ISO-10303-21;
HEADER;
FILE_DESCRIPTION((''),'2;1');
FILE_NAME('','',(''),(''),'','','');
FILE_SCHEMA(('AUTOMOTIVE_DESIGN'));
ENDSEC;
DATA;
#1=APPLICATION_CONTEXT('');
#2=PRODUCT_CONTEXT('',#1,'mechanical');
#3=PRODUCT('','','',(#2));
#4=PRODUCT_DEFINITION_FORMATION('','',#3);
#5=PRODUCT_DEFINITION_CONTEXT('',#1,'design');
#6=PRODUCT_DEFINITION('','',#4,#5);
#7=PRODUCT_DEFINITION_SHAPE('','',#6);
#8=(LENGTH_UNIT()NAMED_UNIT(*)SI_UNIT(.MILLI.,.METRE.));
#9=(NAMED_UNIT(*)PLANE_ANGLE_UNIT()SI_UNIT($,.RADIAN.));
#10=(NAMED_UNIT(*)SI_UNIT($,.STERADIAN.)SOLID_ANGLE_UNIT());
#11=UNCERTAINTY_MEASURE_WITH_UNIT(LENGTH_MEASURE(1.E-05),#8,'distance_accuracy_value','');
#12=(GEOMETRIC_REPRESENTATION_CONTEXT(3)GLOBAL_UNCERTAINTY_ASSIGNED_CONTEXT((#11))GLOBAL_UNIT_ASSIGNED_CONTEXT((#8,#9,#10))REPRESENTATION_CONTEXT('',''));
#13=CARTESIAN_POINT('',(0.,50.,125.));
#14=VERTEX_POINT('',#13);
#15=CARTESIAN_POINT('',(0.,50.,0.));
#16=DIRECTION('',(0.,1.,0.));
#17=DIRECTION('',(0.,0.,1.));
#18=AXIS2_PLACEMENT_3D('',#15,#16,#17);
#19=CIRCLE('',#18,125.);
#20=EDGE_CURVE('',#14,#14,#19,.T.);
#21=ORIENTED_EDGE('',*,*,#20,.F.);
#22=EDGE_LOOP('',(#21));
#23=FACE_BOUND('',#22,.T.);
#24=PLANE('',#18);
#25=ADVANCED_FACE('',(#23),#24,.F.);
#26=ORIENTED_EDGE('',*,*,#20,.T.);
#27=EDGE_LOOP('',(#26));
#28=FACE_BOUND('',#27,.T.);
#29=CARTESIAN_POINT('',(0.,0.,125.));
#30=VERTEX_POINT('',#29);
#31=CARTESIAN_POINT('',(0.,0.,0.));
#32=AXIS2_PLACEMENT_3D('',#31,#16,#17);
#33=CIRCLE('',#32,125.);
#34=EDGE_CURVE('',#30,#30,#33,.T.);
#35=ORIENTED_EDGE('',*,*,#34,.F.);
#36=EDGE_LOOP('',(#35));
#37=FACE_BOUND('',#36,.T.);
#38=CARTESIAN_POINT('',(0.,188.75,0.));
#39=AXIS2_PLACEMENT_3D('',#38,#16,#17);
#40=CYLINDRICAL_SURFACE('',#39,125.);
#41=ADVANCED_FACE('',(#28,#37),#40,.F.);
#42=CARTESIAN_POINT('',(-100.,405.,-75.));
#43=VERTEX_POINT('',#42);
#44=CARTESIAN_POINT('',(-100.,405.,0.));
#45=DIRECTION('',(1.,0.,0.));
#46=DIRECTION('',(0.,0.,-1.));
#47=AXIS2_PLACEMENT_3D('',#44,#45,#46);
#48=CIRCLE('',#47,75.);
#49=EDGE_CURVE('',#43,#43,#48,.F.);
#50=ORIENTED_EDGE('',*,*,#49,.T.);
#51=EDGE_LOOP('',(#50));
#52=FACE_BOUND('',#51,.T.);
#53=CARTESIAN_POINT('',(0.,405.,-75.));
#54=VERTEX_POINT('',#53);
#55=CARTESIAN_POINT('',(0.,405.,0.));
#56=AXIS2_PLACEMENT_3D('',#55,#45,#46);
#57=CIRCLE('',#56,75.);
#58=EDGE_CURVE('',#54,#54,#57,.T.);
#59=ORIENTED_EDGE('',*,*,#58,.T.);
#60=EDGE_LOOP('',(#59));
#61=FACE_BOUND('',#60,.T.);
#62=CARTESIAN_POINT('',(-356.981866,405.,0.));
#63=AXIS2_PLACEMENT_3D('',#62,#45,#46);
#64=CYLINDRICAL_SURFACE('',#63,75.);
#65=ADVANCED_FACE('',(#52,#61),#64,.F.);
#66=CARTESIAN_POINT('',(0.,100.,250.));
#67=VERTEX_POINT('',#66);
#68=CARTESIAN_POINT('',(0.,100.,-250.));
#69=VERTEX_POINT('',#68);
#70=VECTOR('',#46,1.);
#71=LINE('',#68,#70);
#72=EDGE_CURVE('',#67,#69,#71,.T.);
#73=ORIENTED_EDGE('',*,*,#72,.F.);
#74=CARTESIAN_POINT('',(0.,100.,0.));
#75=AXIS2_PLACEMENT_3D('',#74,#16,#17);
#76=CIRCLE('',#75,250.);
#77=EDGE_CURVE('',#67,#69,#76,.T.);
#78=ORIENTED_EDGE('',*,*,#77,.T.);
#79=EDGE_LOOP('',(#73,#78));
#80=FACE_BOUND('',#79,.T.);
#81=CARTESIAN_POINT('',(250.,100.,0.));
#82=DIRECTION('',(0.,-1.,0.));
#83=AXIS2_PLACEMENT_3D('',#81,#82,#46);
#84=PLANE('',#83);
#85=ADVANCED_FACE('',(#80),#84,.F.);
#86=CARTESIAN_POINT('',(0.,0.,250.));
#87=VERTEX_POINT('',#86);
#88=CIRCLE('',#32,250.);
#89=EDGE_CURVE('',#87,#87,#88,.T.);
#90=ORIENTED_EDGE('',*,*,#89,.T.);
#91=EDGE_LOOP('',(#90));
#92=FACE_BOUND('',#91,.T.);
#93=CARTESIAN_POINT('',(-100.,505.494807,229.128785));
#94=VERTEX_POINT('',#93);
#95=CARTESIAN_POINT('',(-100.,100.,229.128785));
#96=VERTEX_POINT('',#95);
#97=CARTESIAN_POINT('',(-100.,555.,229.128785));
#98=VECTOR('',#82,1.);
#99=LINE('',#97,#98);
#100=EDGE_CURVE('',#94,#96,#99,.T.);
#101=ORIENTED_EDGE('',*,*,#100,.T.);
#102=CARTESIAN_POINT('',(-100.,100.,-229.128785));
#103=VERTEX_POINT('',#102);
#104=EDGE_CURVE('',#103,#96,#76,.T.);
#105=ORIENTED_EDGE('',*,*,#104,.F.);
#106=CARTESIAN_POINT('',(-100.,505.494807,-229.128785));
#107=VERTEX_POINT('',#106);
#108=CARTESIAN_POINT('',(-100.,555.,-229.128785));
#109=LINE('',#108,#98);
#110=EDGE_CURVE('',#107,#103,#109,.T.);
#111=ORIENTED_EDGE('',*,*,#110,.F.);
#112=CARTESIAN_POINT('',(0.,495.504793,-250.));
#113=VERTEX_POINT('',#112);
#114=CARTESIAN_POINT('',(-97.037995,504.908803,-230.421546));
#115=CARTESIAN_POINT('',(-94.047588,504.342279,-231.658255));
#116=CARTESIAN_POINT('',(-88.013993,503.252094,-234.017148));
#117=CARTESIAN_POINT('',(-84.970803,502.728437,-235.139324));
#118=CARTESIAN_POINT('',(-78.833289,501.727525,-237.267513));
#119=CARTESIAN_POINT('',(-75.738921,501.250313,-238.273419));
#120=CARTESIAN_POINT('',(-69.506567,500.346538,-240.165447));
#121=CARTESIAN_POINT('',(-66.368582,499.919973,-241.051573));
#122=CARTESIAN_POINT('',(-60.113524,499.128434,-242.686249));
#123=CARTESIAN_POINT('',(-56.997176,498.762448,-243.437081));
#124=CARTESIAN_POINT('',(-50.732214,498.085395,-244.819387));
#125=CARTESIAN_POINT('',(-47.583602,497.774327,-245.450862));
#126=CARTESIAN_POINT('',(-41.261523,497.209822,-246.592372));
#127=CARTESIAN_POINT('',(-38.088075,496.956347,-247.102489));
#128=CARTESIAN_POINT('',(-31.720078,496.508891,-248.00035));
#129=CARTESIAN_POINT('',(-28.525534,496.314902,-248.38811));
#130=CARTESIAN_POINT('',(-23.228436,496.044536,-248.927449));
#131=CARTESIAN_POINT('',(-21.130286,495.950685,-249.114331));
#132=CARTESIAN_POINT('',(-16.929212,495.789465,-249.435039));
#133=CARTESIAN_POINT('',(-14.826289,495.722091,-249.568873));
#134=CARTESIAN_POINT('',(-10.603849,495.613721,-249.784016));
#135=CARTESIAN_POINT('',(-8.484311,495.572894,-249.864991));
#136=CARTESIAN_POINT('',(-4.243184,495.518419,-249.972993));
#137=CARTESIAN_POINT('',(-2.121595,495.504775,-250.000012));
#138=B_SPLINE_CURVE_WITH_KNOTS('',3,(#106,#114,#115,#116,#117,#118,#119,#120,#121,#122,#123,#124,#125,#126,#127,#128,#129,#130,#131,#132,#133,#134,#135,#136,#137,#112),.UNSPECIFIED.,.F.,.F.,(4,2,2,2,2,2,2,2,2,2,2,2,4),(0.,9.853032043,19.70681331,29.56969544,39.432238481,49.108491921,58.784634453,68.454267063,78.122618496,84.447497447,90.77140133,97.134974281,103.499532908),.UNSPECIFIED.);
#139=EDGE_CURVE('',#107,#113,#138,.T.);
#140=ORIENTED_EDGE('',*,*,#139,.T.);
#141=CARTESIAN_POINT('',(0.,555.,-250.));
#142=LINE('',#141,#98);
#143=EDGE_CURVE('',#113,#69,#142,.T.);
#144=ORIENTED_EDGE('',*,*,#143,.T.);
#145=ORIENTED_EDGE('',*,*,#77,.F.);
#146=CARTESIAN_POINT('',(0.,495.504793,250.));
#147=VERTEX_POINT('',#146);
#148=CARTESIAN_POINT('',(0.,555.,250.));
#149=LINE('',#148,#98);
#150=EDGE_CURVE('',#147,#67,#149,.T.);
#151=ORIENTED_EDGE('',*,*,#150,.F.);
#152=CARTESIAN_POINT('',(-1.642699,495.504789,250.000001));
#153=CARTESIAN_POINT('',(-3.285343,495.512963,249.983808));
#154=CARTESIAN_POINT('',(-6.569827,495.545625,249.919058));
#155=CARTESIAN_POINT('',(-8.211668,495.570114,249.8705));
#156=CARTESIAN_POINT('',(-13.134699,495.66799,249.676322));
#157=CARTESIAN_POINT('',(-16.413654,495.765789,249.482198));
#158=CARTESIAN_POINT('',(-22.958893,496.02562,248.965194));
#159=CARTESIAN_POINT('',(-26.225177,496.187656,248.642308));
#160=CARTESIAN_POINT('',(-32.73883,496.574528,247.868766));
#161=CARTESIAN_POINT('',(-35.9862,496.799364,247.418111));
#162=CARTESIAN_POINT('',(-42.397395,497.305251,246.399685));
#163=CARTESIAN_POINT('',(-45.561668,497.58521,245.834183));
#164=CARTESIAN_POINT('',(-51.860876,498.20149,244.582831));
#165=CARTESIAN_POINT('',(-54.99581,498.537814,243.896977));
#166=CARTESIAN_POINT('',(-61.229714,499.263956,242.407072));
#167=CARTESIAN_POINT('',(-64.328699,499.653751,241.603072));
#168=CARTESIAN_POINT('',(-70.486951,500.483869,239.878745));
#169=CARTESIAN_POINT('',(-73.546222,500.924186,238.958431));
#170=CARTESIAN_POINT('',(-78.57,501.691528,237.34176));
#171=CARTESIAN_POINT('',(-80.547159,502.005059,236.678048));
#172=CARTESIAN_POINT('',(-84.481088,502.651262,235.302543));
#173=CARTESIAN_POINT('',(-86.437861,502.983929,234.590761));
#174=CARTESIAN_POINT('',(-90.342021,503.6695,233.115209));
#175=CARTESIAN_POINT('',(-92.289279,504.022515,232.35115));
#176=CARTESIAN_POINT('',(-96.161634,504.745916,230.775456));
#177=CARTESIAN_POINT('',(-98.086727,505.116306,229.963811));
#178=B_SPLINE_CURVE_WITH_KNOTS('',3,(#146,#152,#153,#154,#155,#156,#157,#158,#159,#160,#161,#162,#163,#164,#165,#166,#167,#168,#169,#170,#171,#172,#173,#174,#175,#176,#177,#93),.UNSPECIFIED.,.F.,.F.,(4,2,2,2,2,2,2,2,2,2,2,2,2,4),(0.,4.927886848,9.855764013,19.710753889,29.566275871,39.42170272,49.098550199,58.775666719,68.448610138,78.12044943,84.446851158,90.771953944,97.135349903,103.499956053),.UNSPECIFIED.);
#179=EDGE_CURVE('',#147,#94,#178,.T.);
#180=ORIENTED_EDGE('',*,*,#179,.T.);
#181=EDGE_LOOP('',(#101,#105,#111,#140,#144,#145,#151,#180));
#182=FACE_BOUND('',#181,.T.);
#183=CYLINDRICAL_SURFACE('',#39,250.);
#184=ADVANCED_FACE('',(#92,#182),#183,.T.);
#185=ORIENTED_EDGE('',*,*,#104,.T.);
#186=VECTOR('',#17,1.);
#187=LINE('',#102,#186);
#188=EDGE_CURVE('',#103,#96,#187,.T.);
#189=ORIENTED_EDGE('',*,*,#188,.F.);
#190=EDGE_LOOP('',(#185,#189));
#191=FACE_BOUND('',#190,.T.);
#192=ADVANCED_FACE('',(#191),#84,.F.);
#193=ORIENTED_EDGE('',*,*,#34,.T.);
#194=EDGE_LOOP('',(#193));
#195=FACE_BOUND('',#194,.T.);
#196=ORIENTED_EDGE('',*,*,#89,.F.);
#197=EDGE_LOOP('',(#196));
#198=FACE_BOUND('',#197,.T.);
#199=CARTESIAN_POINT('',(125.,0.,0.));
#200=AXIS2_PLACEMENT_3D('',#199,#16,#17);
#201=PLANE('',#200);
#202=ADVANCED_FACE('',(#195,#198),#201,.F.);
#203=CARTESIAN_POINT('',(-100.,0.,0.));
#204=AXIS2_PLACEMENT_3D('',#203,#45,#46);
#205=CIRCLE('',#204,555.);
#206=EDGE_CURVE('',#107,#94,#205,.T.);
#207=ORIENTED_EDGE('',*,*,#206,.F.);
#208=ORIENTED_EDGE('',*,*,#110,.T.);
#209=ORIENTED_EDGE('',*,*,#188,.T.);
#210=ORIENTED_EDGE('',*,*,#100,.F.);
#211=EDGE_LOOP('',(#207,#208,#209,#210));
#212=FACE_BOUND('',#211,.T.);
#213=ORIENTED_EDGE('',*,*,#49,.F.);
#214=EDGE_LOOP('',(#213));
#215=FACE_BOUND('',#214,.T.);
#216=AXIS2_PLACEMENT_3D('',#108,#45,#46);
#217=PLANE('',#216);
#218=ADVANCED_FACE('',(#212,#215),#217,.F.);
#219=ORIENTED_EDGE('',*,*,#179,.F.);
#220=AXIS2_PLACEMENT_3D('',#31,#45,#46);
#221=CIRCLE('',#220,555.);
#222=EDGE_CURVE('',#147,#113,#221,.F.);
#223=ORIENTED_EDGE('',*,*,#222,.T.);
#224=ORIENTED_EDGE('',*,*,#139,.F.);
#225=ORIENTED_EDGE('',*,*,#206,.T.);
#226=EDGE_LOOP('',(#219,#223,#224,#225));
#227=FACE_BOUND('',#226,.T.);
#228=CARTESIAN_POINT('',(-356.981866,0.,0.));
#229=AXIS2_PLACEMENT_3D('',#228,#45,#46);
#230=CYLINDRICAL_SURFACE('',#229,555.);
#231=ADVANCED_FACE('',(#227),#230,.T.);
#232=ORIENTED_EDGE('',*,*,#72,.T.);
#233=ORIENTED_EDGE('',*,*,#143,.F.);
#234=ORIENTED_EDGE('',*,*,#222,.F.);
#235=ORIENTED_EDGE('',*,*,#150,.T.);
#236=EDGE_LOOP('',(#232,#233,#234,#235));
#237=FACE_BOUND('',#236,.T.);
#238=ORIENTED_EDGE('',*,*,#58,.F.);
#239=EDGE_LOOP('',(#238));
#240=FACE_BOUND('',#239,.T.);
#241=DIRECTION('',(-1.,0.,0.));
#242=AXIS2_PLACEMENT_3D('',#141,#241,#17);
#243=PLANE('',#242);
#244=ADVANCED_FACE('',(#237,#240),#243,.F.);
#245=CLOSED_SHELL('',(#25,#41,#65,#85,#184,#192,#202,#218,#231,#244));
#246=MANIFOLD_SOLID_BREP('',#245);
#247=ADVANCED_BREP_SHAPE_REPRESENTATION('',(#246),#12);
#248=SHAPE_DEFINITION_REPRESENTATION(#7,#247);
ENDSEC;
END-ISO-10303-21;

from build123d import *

# Parameters (mm, degrees)
BOSS_EXTRUDE1_START = 455
BOSS_EXTRUDE1_DEPTH = 455
SKETCH4_R           = 75
CUT_EXTRUDE1_DEPTH  = 100


with BuildPart() as part:
    # Sketch1 → Revolve1 (revolve)
    with BuildSketch(Plane.XY, mode=Mode.PRIVATE) as revolve1_sk:
        Polygon((0, 50), (125, 50), (125, 0), (250, 0), (250, 100), (0, 100), align=None)
    revolve(revolve1_sk.sketch.rotate(Axis((0, 188.75, 0), (0, -1, 0)), 90), axis=Axis((0, 188.75, 0), (0, -1, 0)))

    # Sketch3 → Boss-Extrude1 (add)
    with BuildSketch(Plane(origin=(0, 100, 0), x_dir=(1, 0, 0), z_dir=(0, 1, 0)).offset(BOSS_EXTRUDE1_START)):
        with BuildLine():
            Line((0, 250), (0, -250))
            ThreePointArc((0, -250), (-51.077410922, -244.726578233), (-100, -229.128784748))
            Line((-100, -229.128784748), (-100, 229.128784748))
            ThreePointArc((-100, 229.128784748), (-51.077410922, 244.726578233), (0, 250))
        make_face()
    extrude(amount=-BOSS_EXTRUDE1_DEPTH)

    # Sketch4 → Cut-Extrude1 (cut)
    with BuildSketch(Plane(origin=(0, 0, 0), x_dir=(0, 0, -1), z_dir=(1, 0, 0))):
        with Locations((0, 405)):
            Circle(SKETCH4_R)
        with BuildLine():
            Line((-250, 555), (-250, 495.504793115))
            ThreePointArc((-250, 495.504793115), (-128.490932522, 539.921364885), (1.363e-06, 555))
            Line((1.363e-06, 555), (-250, 555))
        make_face()
        with BuildLine():
            Line((250, 555), (1.363e-06, 555))
            ThreePointArc((1.363e-06, 555), (128.490933847, 539.92136457), (250, 495.504793115))
            Line((250, 495.504793115), (250, 555))
        make_face()
    extrude(amount=-CUT_EXTRUDE1_DEPTH, mode=Mode.SUBTRACT)


solid = part.part
